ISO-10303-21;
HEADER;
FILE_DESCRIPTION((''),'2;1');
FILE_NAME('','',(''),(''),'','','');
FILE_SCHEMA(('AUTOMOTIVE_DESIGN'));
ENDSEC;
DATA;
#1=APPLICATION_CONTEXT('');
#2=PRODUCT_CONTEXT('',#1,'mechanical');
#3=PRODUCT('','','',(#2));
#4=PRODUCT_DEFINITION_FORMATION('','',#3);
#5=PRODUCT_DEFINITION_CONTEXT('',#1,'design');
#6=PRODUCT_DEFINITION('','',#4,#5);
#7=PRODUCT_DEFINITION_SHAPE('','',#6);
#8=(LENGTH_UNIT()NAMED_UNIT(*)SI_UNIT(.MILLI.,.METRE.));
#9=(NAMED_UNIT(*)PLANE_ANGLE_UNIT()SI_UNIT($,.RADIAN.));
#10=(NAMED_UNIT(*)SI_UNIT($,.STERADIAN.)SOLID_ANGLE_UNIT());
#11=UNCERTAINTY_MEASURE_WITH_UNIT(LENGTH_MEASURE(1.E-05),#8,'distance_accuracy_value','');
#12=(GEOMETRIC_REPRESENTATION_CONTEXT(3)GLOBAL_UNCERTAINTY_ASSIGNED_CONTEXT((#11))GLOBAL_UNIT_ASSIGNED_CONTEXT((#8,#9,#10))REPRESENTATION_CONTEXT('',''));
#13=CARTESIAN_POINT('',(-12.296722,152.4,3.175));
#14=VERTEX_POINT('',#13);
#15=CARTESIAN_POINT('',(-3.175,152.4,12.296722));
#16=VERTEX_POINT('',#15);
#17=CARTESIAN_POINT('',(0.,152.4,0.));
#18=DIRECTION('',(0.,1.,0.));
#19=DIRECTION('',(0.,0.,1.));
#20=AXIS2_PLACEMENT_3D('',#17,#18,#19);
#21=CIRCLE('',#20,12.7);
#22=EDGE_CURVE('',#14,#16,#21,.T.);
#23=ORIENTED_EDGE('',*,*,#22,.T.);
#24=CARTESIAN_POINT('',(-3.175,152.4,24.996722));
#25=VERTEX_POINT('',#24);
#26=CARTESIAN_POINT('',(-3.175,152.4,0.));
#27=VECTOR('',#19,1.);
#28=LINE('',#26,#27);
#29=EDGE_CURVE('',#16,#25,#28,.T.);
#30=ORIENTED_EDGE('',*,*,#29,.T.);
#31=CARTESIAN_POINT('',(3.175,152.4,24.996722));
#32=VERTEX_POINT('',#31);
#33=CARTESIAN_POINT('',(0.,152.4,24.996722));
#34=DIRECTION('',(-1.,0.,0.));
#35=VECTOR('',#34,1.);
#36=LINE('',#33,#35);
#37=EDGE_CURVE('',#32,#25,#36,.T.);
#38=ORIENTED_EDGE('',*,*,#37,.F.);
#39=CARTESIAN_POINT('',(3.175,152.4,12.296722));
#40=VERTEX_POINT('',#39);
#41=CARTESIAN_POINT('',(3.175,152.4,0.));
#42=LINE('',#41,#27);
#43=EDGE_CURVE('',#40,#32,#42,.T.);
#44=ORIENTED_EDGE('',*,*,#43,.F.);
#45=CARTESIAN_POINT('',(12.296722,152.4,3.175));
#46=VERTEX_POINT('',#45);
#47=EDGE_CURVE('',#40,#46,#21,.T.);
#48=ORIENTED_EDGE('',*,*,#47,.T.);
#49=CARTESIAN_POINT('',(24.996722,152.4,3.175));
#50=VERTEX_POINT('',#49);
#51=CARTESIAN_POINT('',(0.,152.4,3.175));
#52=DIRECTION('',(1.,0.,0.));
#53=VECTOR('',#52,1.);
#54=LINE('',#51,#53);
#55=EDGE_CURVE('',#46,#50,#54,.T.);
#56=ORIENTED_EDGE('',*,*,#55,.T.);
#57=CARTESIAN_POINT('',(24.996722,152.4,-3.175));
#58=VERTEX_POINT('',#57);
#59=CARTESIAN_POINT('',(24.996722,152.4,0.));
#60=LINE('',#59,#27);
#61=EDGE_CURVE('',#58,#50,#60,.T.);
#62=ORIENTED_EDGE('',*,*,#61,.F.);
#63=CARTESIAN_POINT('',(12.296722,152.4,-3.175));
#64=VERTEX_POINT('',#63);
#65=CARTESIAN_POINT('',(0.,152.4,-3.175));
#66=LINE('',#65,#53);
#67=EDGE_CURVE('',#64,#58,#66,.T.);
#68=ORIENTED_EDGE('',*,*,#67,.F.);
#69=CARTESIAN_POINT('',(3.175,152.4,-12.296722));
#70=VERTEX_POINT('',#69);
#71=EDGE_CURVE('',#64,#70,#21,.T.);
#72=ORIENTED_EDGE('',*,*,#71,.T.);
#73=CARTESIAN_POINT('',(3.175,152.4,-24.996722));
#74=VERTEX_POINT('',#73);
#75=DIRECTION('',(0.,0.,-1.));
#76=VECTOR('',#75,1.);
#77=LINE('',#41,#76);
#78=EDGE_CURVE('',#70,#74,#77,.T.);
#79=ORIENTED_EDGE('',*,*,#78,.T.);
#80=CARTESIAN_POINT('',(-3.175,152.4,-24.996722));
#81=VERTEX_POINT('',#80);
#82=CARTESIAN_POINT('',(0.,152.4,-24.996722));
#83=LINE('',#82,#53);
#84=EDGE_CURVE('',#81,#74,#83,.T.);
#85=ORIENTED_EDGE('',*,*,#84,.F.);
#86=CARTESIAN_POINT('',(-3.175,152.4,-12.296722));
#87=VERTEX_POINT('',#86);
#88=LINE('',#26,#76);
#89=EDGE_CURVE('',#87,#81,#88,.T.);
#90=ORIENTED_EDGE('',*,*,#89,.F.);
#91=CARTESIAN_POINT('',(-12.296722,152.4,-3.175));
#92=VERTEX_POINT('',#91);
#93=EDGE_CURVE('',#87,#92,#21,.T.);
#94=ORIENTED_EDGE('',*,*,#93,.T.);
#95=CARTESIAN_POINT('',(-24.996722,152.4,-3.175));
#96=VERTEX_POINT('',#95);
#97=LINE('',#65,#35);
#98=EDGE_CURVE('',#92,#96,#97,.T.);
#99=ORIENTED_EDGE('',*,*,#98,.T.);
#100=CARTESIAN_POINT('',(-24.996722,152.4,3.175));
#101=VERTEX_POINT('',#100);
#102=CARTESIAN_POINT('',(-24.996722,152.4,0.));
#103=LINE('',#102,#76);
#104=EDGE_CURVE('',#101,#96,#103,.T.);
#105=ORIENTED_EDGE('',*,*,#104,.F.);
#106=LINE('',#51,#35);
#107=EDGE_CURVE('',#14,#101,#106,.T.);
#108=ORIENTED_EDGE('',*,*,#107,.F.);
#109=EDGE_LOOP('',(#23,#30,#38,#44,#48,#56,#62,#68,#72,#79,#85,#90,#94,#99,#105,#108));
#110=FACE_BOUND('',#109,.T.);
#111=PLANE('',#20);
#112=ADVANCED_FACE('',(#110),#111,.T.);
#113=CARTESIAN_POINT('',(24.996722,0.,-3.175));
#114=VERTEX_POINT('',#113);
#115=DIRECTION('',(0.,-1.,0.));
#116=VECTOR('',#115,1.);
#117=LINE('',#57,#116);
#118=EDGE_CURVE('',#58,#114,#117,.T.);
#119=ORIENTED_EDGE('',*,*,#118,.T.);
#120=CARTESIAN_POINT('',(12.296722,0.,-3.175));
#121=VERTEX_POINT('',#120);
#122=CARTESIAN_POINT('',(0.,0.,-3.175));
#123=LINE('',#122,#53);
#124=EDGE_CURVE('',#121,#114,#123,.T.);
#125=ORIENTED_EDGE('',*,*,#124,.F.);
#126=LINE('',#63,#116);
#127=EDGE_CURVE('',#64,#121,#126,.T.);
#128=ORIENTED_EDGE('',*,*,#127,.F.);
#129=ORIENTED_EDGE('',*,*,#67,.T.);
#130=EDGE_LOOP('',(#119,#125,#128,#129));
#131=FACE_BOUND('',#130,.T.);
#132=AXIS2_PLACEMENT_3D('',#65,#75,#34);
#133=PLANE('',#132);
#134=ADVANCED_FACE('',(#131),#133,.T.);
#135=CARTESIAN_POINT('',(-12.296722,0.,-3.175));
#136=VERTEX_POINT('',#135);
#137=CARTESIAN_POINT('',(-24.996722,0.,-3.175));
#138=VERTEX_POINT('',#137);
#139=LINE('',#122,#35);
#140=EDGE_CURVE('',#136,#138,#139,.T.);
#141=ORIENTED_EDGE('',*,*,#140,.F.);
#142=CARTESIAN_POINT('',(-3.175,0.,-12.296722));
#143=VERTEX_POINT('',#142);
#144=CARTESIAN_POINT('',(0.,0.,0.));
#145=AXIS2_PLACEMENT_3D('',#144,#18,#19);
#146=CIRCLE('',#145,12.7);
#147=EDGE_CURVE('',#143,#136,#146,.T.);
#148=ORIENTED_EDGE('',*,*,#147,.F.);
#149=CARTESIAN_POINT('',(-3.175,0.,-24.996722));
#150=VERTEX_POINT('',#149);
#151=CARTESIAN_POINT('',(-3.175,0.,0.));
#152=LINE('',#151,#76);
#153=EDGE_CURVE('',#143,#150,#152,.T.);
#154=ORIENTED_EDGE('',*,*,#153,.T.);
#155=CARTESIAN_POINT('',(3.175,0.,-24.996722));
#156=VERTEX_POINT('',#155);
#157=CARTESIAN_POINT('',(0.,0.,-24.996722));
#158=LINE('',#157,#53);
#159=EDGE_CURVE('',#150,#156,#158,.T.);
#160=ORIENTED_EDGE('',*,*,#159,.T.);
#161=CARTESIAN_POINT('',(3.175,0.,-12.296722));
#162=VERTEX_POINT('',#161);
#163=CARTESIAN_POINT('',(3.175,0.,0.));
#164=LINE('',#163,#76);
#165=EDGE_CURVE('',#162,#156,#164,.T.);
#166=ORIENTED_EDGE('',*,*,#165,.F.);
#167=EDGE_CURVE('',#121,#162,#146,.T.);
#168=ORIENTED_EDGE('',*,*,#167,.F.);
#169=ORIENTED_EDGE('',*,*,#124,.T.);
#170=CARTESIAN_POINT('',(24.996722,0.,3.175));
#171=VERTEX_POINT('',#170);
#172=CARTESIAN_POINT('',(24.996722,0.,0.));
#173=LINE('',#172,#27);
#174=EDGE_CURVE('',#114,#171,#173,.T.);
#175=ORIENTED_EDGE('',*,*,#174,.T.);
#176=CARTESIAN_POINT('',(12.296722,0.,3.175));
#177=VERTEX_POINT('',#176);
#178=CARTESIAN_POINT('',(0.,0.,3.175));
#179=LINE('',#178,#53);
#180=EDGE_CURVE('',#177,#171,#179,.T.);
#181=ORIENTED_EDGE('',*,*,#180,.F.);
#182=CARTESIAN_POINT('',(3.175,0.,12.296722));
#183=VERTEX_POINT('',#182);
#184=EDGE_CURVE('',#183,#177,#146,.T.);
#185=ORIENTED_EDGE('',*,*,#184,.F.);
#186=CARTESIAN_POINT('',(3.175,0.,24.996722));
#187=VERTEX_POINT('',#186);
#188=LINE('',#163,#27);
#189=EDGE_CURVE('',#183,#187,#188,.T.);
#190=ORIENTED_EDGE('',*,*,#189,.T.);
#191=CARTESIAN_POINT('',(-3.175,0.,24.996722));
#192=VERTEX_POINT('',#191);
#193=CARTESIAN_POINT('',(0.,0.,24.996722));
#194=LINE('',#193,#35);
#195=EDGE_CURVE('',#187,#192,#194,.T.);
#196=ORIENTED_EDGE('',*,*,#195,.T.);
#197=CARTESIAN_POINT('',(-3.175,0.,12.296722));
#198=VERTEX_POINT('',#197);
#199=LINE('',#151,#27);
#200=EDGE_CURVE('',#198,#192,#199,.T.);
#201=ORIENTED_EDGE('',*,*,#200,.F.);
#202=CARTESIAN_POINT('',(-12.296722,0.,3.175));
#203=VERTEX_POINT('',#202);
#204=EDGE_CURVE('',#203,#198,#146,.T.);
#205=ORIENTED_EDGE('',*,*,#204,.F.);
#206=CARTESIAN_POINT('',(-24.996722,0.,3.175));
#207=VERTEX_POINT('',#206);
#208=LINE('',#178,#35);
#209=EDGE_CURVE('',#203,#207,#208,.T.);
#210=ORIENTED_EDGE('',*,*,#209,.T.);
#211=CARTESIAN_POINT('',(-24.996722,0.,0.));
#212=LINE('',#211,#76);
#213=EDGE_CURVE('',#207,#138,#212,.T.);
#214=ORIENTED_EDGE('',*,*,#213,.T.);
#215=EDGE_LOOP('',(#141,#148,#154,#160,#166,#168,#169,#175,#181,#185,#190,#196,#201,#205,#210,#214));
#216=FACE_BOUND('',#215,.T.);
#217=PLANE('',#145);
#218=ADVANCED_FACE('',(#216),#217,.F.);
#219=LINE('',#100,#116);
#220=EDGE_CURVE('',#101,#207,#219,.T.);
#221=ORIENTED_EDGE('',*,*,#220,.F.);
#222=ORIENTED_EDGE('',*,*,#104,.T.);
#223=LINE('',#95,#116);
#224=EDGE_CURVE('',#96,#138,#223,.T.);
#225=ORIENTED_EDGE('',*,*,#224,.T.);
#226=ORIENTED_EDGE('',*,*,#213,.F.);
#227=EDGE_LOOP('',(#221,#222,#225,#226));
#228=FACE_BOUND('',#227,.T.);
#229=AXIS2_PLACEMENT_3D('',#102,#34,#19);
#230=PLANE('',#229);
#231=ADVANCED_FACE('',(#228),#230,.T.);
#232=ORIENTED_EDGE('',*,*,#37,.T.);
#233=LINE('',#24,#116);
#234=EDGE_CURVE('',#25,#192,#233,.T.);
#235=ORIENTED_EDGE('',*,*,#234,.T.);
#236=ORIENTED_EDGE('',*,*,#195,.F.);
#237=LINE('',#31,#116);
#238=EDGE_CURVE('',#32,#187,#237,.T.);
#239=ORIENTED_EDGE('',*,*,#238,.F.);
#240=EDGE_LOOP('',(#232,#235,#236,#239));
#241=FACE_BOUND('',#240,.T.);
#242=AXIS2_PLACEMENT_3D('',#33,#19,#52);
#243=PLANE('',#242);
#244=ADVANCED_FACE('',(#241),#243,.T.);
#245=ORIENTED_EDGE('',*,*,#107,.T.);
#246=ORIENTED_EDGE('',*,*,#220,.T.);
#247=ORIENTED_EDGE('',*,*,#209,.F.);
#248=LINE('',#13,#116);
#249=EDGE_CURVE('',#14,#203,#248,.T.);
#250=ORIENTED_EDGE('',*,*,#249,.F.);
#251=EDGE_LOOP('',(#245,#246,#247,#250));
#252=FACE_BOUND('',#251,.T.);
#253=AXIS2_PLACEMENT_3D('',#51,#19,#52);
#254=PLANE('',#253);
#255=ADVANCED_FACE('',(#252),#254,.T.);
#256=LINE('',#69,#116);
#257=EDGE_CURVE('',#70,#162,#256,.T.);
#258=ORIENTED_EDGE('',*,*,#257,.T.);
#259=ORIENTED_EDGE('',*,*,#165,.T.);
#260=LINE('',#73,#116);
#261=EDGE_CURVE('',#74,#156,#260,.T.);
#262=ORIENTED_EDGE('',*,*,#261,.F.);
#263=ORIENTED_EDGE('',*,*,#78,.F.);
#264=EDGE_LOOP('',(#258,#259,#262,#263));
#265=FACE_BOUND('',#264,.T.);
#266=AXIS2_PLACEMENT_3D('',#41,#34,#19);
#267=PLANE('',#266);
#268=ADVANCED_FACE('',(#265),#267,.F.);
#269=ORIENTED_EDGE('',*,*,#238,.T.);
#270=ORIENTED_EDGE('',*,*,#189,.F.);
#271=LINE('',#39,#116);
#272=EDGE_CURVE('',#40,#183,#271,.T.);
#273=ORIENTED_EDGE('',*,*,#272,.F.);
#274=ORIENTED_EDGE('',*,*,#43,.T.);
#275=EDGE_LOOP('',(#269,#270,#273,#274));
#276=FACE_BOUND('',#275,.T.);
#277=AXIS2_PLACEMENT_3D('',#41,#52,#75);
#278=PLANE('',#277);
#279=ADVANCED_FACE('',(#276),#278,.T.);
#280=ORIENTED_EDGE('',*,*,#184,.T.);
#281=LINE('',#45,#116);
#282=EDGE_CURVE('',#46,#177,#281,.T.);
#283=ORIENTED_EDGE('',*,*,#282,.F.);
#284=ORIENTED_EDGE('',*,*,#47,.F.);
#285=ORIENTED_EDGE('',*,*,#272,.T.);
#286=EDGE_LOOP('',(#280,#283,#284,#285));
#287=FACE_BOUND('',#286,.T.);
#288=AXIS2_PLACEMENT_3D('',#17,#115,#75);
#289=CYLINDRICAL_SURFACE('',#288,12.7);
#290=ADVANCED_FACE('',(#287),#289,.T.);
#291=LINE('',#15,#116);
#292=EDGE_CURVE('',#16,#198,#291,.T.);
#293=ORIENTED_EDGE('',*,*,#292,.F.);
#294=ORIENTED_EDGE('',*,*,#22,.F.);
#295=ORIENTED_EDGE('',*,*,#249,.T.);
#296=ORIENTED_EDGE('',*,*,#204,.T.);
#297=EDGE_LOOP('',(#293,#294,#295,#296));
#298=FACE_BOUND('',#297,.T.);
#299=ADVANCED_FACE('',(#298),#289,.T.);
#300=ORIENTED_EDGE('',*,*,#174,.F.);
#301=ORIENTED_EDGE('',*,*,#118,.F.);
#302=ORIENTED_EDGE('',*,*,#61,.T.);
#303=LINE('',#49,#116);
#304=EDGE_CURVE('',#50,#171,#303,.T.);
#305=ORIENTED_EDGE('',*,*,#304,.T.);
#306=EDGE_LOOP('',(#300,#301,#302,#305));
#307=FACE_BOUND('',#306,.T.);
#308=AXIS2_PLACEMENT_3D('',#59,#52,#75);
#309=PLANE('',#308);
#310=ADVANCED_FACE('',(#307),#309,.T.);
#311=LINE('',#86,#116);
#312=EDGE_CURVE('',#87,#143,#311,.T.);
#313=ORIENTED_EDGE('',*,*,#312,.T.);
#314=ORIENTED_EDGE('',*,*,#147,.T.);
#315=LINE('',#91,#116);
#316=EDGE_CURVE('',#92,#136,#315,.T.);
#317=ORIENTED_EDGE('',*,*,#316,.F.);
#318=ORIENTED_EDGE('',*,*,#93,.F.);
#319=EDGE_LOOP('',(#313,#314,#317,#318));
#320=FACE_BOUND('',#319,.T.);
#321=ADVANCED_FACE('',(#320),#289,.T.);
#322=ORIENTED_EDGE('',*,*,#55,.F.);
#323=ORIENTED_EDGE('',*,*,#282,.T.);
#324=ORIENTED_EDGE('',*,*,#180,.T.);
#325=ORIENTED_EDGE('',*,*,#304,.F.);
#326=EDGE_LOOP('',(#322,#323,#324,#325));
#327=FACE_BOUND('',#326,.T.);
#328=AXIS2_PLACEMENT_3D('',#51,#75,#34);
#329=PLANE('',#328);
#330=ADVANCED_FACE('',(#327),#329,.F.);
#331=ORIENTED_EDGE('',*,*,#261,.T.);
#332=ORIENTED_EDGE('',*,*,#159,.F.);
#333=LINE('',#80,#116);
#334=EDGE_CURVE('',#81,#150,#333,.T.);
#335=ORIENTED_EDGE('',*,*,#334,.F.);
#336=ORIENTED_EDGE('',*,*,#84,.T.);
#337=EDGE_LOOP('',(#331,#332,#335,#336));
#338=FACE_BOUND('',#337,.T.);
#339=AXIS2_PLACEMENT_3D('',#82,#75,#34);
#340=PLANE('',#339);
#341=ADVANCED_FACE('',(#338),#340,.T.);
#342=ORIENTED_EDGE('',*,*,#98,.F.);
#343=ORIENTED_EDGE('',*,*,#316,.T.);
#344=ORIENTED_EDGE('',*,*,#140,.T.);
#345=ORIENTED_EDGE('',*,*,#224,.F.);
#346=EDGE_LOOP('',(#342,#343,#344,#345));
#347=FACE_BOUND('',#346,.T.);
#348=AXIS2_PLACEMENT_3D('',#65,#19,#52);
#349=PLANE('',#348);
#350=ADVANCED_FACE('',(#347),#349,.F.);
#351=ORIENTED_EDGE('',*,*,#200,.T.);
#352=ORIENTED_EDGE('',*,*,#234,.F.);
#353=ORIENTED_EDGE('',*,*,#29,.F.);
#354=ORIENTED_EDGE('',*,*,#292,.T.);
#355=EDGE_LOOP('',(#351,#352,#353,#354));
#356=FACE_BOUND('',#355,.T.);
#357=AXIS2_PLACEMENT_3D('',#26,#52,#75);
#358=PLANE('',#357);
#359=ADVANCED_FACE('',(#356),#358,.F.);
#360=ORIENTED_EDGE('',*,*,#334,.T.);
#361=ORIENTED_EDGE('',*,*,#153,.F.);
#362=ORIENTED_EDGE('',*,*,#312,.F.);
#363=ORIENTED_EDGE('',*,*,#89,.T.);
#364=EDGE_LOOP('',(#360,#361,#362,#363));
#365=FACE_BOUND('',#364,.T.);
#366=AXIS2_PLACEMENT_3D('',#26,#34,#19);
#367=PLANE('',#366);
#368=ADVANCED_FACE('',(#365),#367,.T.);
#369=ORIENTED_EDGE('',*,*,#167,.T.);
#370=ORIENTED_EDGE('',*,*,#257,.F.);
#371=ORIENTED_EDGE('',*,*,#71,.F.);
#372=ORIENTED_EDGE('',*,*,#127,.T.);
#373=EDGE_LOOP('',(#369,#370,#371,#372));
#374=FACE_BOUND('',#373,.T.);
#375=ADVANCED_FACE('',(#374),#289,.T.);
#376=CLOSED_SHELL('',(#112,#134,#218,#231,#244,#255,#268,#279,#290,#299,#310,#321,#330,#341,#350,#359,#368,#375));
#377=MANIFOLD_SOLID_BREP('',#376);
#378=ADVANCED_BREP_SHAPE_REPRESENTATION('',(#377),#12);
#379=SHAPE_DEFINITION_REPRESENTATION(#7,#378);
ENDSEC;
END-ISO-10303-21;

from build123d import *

# Parameters (mm, degrees)
BOSS_EXTRUDE1_DEPTH = 152.4


with BuildPart() as part:
    # Sketch1 → Boss-Extrude1 (new body)
    with BuildSketch(Plane(origin=(0, 0, 0), x_dir=(1, 0, 0), z_dir=(0, 1, 0))):
        with BuildLine():
            ThreePointArc((3.175, 12.296722124), (0, 12.7), (-3.175, 12.296722124))
            Line((-3.175, 12.296722124), (3.175, 12.296722124))
        make_face()
        with BuildLine():
            Line((3.175, 12.296722124), (-3.175, 12.296722124))
            ThreePointArc((-3.175, 12.296722124), (-8.980256121, 8.980256121), (-12.296722124, 3.175))
            ThreePointArc((-12.296722124, 3.175), (-12.7, 0), (-12.296722124, -3.175))
            ThreePointArc((-12.296722124, -3.175), (-8.980256121, -8.980256121), (-3.175, -12.296722124))
            ThreePointArc((-3.175, -12.296722124), (0, -12.7), (3.175, -12.296722124))
            ThreePointArc((3.175, -12.296722124), (8.980256121, -8.980256121), (12.296722124, -3.175))
            ThreePointArc((12.296722124, -3.175), (12.598777143, -1.600254515), (12.7, 0))
            ThreePointArc((12.7, 0), (12.598777143, 1.600254515), (12.296722124, 3.175))
            ThreePointArc((12.296722124, 3.175), (8.980256121, 8.980256121), (3.175, 12.296722124))
        make_face()
        with BuildLine():
            ThreePointArc((-12.296722124, -3.175), (-12.7, 0), (-12.296722124, 3.175))
            Line((-12.296722124, 3.175), (-24.996722124, 3.175))
            Line((-24.996722124, 3.175), (-24.996722124, -3.175))
            Line((-24.996722124, -3.175), (-12.296722124, -3.175))
        make_face()
        with BuildLine():
            ThreePointArc((3.175, -12.296722124), (0, -12.7), (-3.175, -12.296722124))
            Line((-3.175, -12.296722124), (-3.175, -24.996722124))
            Line((-3.175, -24.996722124), (3.175, -24.996722124))
            Line((3.175, -24.996722124), (3.175, -12.296722124))
        make_face()
        with BuildLine():
            Line((24.996722124, 3.175), (12.296722124, 3.175))
            ThreePointArc((12.296722124, 3.175), (12.598777143, 1.600254515), (12.7, 0))
            ThreePointArc((12.7, 0), (12.598777143, -1.600254515), (12.296722124, -3.175))
            Line((12.296722124, -3.175), (24.996722124, -3.175))
            Line((24.996722124, -3.175), (24.996722124, 3.175))
        make_face()
        with BuildLine():
            Line((-3.175, 24.996722124), (-3.175, 12.296722124))
            ThreePointArc((-3.175, 12.296722124), (0, 12.7), (3.175, 12.296722124))
            Line((3.175, 12.296722124), (3.175, 24.996722124))
            Line((3.175, 24.996722124), (-3.175, 24.996722124))
        make_face()
    extrude(amount=BOSS_EXTRUDE1_DEPTH)


solid = part.part
